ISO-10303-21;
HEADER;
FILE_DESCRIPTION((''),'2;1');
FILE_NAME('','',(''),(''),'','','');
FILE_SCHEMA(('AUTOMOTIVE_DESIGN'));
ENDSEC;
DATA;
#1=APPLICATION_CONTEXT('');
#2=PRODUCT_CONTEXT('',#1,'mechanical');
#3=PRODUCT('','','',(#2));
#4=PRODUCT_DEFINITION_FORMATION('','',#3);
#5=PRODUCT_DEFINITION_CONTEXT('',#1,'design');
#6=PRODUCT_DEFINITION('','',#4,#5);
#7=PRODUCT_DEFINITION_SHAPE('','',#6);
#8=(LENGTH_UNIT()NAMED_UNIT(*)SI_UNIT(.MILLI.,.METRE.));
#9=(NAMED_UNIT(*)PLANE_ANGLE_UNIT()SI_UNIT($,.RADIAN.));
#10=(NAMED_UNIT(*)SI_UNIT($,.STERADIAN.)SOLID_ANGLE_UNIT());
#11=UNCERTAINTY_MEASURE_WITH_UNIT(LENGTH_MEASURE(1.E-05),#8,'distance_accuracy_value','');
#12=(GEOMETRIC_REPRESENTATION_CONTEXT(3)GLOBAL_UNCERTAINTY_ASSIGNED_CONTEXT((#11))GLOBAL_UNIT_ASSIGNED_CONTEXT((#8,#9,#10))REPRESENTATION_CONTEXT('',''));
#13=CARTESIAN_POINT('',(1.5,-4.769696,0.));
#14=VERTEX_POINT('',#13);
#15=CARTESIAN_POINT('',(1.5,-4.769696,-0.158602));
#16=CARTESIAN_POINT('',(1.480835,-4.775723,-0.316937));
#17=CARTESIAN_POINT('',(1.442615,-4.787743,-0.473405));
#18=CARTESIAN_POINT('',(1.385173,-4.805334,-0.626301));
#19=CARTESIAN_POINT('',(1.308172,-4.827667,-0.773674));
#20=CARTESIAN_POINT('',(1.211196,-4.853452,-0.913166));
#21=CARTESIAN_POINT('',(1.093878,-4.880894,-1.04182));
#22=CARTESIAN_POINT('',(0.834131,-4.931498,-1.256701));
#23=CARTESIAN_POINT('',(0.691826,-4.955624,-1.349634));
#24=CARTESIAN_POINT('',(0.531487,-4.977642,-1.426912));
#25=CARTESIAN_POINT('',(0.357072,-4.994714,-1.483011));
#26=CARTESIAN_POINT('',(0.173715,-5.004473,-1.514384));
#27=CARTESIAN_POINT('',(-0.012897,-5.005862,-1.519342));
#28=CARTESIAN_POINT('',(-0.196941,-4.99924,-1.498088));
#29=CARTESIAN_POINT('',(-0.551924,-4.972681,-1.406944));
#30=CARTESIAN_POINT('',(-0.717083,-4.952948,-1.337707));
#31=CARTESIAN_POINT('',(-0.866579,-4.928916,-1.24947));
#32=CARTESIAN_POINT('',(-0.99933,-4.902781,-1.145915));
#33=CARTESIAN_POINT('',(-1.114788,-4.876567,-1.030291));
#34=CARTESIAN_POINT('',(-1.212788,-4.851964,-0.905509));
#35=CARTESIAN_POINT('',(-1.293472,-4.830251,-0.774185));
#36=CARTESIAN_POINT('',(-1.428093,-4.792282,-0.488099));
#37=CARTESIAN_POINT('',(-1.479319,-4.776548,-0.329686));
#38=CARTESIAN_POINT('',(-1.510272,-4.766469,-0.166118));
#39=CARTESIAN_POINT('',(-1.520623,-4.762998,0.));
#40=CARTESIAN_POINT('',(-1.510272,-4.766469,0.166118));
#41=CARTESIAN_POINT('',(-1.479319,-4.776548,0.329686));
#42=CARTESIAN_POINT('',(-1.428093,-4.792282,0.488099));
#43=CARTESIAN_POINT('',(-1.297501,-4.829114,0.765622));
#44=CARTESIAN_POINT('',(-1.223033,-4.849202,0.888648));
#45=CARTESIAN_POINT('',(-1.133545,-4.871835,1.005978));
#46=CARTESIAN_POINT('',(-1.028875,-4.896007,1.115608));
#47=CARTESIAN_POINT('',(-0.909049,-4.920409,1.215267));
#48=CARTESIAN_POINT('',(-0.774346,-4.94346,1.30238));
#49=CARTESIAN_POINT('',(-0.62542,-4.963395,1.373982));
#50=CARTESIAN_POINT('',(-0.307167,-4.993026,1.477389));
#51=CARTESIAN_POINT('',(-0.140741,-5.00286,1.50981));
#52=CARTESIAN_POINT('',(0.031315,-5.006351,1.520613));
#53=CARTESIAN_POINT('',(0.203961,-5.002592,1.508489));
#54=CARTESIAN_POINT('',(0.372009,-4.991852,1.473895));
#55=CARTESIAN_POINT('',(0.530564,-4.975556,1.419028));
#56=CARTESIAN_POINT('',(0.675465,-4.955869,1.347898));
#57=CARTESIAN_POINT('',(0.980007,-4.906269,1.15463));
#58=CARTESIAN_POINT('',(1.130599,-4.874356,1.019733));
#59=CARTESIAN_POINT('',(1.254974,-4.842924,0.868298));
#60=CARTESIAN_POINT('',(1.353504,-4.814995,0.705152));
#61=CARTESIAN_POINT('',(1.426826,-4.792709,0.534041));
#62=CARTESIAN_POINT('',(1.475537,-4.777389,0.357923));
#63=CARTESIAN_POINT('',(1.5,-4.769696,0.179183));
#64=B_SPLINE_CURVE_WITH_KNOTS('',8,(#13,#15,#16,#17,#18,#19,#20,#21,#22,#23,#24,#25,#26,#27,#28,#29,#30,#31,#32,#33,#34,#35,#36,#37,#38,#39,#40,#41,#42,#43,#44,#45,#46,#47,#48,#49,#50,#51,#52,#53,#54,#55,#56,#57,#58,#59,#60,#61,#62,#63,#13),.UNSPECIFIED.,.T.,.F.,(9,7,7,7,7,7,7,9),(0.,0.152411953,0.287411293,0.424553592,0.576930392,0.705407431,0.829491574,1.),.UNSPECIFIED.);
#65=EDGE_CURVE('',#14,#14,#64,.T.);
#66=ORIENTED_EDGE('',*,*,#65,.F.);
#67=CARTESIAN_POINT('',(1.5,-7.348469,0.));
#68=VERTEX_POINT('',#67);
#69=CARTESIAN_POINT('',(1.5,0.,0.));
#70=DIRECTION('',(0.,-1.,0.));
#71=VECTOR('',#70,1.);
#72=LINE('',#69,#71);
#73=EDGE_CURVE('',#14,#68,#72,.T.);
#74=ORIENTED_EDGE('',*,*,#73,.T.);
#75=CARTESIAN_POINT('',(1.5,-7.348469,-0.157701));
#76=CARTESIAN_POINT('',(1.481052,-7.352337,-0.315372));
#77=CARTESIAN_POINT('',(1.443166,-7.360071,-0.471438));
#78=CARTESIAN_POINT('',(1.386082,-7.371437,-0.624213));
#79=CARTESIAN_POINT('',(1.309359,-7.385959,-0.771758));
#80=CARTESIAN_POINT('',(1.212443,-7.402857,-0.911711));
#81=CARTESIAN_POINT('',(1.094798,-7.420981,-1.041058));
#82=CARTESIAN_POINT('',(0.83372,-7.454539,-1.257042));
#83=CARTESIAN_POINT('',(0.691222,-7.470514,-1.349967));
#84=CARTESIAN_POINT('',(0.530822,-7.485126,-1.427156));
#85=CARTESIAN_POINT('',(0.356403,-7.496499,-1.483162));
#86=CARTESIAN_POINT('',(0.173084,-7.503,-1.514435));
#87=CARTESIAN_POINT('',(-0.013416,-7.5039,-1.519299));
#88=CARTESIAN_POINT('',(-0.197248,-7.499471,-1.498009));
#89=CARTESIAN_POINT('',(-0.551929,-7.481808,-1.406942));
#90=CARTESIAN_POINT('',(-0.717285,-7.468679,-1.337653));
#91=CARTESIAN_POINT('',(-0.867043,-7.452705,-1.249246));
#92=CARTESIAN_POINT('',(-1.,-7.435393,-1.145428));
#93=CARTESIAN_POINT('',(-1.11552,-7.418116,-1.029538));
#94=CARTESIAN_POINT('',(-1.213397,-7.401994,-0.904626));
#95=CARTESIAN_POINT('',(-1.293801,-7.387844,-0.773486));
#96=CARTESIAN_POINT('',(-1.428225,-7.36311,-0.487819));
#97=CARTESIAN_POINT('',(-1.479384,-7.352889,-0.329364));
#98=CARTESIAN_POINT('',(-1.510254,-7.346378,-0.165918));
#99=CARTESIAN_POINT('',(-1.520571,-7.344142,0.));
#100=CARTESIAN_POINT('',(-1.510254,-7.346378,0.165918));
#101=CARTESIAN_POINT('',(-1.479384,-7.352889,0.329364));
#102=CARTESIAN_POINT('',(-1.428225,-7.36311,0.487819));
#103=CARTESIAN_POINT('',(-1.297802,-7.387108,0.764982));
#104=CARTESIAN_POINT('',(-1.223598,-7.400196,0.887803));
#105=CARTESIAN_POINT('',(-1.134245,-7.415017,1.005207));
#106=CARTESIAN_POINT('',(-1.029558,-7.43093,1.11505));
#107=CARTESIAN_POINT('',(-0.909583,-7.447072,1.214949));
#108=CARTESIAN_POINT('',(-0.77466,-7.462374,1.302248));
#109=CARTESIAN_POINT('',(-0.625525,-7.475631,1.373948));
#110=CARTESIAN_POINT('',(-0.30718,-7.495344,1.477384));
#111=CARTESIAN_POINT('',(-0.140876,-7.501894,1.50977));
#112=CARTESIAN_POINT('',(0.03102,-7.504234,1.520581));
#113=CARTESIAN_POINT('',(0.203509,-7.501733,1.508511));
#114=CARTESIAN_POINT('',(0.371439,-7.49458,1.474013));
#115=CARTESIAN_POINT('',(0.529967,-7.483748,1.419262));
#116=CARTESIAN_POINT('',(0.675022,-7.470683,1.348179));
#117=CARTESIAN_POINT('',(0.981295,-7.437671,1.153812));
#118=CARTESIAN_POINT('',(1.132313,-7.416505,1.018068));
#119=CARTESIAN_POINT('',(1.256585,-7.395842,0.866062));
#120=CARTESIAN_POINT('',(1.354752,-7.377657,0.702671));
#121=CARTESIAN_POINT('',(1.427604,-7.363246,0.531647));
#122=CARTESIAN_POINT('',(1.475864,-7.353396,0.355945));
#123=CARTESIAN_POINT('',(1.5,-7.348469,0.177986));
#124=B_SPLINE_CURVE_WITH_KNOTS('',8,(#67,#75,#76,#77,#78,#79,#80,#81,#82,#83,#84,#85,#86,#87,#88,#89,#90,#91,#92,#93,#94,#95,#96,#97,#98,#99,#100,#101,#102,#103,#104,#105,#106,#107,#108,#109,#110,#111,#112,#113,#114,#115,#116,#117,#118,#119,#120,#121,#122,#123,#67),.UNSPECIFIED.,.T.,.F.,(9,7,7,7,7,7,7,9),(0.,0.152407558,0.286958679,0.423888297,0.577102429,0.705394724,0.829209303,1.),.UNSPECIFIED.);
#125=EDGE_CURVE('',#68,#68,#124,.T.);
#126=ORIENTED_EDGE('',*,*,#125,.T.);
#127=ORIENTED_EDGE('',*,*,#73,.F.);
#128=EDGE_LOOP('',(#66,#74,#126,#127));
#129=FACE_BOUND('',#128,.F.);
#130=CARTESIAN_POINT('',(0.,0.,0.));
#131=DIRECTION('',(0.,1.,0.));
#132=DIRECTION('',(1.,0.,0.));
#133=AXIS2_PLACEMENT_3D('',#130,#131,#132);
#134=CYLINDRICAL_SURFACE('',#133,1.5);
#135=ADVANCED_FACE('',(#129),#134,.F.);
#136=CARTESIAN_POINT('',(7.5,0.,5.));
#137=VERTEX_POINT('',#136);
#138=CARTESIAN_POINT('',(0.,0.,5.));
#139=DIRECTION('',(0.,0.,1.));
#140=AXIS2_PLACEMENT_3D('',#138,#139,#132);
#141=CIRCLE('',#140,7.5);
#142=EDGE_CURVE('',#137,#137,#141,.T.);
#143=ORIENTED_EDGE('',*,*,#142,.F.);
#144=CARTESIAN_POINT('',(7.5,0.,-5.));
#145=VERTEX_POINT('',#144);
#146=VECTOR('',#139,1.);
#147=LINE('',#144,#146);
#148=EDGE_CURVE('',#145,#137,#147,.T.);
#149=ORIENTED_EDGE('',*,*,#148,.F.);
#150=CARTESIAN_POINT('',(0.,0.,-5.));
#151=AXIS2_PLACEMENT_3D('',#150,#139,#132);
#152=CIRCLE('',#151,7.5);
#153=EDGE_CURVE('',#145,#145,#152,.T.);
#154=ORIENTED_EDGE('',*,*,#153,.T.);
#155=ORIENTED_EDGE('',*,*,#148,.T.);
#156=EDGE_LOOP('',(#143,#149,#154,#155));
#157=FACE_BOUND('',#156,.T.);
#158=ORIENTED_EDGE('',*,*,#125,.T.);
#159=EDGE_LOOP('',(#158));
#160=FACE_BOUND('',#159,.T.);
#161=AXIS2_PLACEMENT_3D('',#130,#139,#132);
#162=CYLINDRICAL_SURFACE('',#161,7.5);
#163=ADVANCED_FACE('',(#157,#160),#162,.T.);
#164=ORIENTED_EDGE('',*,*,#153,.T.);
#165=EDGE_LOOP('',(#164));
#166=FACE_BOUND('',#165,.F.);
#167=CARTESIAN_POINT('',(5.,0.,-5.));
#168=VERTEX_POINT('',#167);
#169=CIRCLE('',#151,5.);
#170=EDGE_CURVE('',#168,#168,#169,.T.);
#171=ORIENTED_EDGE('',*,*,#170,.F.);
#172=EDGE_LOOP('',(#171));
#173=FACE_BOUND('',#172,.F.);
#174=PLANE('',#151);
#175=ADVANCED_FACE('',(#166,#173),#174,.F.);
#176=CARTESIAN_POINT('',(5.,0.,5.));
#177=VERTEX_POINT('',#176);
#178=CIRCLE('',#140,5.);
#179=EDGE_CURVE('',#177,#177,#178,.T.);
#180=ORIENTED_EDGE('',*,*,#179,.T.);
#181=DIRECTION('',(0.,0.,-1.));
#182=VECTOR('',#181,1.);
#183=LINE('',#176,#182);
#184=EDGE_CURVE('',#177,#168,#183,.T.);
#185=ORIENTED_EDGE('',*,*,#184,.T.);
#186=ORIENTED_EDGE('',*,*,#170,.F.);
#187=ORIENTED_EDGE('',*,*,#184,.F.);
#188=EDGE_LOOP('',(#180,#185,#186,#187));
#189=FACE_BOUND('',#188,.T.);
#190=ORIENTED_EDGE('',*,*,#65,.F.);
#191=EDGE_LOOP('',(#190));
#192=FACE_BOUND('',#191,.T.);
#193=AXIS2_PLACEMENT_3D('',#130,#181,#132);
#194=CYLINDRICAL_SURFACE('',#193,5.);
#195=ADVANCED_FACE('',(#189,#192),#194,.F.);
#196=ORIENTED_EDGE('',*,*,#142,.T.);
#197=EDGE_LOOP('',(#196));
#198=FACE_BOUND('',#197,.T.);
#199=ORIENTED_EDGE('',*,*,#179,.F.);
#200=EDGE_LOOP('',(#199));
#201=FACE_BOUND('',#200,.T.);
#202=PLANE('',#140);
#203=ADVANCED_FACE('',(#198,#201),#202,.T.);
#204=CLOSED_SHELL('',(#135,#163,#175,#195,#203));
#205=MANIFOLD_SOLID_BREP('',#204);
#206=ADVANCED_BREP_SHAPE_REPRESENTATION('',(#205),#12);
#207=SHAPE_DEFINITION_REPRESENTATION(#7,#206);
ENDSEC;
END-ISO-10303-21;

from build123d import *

# Parameters (mm, degrees)
SKETCH1_R           = 7.5
SKETCH1_R_2         = 5
BOSS_EXTRUDE1_DEPTH = 5
CUT_EXTRUDE1_REACH  = 9.5
SKETCH2_R           = 1.5


with BuildPart() as part:
    # Sketch1 → Boss-Extrude1 (new body, symmetric)
    with BuildSketch(Plane.XY):
        Circle(SKETCH1_R)
        Circle(SKETCH1_R_2, mode=Mode.SUBTRACT)
    extrude(amount=BOSS_EXTRUDE1_DEPTH, both=True)

    # Sketch2 → Cut-Extrude1 (cut, up to next)
    with BuildSketch(Plane(origin=(0, 0, 0), x_dir=(1, 0, 0), z_dir=(0, 1, 0)), mode=Mode.PRIVATE) as cut_extrude1_sk1:
        Circle(SKETCH2_R)
    cut_extrude1_tool1 = extrude(cut_extrude1_sk1.sketch, amount=-CUT_EXTRUDE1_REACH, mode=Mode.PRIVATE) & part.part
    add(cut_extrude1_tool1.solids().sort_by_distance((0, 0, 0))[0], mode=Mode.SUBTRACT)


solid = part.part
